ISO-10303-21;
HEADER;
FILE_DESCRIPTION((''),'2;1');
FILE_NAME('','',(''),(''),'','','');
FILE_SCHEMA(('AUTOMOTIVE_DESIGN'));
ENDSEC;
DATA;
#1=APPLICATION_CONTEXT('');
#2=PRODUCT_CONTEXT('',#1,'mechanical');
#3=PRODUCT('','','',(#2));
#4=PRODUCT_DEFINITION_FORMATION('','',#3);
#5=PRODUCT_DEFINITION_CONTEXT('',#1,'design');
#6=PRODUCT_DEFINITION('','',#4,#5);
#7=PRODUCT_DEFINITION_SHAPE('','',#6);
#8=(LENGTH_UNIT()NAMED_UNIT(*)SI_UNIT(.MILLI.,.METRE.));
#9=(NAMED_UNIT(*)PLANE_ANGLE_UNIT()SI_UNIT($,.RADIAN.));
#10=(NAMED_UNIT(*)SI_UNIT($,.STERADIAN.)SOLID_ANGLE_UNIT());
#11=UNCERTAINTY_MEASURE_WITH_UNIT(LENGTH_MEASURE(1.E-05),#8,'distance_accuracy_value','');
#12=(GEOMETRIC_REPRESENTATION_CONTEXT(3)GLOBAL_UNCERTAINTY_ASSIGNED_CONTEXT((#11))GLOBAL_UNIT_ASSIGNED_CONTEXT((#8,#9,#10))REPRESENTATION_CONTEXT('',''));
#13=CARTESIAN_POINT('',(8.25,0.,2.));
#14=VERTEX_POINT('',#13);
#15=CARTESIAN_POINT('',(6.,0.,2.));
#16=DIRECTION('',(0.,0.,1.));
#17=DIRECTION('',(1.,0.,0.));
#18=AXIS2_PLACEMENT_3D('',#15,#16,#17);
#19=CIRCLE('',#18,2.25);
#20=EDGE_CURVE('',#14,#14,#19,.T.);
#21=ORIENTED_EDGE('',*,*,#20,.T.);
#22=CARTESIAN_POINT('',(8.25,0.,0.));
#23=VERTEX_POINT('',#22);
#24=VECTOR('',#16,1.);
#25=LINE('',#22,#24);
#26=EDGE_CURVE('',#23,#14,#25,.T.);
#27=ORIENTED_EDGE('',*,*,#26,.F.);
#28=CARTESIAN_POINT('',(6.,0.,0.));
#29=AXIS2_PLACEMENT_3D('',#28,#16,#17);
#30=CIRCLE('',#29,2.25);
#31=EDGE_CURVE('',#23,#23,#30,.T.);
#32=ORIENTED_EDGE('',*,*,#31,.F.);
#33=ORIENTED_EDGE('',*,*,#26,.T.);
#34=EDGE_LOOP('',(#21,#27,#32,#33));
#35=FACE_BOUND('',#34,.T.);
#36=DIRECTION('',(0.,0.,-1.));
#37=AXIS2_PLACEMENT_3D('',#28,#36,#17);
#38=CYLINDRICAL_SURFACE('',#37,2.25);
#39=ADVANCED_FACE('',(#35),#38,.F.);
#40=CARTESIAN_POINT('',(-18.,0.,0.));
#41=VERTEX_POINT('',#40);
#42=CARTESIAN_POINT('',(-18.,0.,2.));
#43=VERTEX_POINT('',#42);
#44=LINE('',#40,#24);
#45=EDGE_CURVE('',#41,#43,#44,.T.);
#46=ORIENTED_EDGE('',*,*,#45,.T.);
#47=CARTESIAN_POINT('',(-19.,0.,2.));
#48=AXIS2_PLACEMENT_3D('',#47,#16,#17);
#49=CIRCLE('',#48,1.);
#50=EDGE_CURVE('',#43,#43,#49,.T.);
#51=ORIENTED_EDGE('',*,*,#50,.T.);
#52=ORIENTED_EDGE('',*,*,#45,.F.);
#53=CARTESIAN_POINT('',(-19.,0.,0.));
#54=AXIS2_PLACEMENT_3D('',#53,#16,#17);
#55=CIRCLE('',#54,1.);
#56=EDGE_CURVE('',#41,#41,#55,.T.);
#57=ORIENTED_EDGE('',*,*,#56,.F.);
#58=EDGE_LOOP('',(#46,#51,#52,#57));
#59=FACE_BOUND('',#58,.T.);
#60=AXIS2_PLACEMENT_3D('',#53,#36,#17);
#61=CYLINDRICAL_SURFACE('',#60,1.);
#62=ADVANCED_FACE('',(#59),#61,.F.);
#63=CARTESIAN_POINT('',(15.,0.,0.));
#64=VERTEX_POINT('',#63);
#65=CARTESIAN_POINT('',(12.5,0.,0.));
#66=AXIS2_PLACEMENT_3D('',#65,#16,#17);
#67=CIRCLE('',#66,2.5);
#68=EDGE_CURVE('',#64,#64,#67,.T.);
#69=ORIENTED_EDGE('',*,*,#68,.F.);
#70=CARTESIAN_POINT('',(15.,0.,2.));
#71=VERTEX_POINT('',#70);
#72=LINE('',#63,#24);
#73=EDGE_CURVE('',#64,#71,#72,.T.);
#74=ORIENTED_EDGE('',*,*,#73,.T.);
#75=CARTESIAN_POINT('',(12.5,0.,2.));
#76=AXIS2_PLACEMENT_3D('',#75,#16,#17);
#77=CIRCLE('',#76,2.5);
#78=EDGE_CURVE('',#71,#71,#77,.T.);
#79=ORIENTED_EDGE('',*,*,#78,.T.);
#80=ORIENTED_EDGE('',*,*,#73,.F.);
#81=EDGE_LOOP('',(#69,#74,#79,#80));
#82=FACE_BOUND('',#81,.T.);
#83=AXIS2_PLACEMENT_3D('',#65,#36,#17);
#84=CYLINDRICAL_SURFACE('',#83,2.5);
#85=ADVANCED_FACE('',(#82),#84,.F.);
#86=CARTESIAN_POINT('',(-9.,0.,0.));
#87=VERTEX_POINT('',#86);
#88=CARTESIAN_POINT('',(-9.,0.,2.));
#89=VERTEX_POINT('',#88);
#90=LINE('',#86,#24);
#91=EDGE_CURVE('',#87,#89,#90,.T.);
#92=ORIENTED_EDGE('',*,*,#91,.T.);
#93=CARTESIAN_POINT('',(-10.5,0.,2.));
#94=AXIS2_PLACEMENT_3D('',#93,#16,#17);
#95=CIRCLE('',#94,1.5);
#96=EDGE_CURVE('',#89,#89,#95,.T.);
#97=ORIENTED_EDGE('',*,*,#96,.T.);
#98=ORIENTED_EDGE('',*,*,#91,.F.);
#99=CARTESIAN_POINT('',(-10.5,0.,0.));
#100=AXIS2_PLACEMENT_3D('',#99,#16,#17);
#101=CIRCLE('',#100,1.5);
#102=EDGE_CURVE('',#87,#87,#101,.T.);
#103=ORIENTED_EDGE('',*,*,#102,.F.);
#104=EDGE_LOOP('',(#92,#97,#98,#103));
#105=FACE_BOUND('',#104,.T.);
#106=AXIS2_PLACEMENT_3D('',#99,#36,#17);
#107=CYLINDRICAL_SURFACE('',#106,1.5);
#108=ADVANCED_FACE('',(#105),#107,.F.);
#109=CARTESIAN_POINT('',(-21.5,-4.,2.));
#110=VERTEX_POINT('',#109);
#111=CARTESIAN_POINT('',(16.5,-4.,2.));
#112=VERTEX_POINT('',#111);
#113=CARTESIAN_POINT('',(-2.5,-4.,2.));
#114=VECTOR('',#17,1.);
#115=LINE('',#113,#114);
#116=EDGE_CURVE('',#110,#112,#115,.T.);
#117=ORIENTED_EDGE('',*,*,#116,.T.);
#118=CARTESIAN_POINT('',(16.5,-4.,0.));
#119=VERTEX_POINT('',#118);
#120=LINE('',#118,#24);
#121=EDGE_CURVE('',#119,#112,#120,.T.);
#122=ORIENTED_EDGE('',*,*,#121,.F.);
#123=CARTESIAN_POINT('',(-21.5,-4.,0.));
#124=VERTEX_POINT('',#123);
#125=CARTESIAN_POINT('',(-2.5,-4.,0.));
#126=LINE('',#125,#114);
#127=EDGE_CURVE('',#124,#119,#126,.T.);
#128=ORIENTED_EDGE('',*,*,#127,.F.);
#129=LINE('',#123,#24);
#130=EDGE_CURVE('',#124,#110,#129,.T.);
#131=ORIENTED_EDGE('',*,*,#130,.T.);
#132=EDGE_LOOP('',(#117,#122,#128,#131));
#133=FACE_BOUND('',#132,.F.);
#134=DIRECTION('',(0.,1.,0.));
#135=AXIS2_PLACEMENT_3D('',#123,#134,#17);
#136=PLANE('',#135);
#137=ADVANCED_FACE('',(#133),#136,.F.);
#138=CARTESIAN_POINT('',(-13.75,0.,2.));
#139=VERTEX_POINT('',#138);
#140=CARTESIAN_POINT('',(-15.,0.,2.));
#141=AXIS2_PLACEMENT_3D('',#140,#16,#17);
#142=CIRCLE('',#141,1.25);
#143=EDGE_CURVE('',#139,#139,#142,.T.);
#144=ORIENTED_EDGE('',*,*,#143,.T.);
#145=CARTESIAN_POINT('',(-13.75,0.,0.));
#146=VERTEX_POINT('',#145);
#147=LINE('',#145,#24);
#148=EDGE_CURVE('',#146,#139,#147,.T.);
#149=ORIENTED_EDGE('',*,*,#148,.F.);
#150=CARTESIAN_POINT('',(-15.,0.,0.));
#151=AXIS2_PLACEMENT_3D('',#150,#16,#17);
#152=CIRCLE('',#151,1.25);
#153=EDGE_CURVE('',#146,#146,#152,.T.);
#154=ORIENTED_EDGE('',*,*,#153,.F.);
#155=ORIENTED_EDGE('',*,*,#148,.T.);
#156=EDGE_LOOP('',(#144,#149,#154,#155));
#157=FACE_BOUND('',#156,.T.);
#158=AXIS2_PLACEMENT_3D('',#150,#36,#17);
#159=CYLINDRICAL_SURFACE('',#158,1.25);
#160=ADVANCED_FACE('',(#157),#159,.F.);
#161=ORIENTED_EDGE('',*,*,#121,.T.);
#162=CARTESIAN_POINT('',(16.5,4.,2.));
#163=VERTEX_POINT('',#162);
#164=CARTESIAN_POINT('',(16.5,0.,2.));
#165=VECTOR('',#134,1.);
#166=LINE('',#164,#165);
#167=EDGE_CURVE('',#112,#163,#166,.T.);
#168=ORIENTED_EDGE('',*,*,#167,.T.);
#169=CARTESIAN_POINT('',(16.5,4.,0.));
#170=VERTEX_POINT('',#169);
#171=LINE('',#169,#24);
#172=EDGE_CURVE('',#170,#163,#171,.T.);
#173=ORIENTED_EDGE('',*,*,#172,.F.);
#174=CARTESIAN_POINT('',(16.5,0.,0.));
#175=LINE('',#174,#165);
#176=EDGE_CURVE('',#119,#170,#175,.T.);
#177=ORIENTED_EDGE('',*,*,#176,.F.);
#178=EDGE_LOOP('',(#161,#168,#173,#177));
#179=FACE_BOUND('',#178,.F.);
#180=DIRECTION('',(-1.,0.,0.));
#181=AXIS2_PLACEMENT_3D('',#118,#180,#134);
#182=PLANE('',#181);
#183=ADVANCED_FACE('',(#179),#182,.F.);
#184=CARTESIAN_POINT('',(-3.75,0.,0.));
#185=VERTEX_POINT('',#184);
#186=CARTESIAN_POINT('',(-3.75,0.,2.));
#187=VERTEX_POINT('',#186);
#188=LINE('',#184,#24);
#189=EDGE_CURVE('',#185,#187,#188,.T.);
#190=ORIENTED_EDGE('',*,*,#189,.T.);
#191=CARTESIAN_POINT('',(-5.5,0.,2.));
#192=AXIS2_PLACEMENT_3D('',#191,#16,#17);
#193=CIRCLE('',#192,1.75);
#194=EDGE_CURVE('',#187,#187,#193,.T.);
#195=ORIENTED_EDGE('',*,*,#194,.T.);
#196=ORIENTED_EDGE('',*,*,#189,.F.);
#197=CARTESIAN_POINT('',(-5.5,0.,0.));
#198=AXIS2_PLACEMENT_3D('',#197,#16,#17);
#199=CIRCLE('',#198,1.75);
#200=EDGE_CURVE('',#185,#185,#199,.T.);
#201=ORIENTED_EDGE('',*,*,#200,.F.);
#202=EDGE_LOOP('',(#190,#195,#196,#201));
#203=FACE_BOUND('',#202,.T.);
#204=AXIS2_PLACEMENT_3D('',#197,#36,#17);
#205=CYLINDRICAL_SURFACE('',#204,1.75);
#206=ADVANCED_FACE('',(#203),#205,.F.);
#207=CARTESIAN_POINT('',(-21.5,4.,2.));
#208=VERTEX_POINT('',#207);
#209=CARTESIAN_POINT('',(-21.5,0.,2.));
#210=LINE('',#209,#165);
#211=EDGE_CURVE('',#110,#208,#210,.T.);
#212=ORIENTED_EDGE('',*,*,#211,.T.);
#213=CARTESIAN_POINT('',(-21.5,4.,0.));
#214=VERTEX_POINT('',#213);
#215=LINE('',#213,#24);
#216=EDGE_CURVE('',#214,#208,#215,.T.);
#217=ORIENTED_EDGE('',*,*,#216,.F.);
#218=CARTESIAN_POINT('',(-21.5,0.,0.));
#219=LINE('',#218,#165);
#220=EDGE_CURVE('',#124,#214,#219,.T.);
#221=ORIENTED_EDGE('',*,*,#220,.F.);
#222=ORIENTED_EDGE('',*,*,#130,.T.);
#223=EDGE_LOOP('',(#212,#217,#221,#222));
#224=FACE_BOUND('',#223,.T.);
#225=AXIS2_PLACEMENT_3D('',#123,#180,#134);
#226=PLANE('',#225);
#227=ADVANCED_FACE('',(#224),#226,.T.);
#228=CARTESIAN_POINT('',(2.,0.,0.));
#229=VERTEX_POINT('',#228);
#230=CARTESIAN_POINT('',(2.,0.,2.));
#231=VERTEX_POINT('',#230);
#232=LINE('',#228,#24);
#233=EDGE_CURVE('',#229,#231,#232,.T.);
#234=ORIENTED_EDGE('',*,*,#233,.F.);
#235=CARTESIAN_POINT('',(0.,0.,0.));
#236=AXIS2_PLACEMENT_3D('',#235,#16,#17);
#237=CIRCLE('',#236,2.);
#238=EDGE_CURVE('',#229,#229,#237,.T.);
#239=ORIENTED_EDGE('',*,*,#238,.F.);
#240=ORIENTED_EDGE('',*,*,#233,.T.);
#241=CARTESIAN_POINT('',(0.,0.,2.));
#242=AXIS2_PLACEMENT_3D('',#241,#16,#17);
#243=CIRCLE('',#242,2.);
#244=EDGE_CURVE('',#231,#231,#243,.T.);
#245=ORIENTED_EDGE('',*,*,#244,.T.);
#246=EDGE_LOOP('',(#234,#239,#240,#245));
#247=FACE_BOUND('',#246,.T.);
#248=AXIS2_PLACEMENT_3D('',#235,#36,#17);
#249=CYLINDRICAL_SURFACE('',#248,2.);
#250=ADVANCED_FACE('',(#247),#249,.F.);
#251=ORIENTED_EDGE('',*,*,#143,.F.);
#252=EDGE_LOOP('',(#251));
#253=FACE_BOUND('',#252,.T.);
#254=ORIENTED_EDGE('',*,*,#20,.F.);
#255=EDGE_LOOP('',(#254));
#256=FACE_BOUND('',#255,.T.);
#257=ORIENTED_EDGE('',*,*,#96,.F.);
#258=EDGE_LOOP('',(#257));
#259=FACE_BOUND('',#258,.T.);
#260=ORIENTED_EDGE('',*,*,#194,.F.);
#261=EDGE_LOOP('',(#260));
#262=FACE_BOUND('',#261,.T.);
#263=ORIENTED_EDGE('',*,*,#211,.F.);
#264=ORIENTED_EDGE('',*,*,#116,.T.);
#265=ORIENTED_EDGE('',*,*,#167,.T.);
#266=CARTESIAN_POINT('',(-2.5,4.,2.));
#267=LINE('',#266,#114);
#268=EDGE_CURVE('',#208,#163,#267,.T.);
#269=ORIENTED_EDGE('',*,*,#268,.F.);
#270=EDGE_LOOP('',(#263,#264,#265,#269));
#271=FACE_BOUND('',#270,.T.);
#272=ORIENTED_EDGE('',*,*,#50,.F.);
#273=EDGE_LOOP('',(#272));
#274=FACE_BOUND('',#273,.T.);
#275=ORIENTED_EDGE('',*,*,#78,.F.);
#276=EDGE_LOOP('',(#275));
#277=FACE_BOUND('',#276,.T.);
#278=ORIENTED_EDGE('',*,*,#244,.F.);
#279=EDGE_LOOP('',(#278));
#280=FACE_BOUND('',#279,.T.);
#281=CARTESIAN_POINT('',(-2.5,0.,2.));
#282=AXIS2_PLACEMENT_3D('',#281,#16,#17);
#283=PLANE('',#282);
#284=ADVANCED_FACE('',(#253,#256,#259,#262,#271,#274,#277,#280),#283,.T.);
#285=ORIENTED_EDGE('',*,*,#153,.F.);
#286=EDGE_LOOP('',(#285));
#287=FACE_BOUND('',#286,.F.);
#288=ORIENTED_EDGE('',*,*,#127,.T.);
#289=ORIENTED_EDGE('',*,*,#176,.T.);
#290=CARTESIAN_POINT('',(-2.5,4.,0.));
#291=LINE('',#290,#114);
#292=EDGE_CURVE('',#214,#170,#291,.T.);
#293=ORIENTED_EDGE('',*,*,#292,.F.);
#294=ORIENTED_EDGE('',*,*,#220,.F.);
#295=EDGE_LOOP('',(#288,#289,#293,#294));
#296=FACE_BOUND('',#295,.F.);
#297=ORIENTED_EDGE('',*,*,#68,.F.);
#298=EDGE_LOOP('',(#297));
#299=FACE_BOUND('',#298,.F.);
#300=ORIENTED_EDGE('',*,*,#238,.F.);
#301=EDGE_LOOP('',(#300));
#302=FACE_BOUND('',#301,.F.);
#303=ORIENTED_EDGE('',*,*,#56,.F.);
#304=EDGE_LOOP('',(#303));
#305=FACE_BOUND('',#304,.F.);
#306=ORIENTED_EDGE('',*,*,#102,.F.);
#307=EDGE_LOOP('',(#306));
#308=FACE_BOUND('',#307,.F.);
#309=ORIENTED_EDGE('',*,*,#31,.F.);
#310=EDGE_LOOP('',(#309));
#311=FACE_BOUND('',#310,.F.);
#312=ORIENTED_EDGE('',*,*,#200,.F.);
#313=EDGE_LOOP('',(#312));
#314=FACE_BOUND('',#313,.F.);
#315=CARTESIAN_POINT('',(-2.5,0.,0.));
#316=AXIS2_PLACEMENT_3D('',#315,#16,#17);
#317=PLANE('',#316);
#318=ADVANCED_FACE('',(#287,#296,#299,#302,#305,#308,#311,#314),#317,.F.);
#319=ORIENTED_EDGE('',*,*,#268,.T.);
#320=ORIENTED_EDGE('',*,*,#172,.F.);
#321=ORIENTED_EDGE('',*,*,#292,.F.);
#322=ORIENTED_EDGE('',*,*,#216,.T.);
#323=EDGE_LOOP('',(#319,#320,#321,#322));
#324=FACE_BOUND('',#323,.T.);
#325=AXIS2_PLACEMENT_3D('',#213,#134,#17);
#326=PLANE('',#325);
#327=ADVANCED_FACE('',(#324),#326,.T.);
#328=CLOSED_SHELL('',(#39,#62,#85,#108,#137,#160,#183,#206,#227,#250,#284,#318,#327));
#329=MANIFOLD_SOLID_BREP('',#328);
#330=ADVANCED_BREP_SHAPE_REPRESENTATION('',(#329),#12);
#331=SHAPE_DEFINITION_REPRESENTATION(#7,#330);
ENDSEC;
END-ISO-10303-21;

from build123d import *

# Parameters (mm, degrees)
F0_W     = 38
F0_H     = 8
F0_R     = 1
F0_R_2   = 1.25
F0_R_3   = 1.5
F0_R_4   = 1.75
F0_R_5   = 2
F0_R_6   = 2.25
F0_R_7   = 2.5
F1_DEPTH = 2


with BuildPart() as f1:
    # F0 (on Top) → F1 (new body)
    with BuildSketch(Plane.XY):
        with Locations((-2.5, 0)):
            Rectangle(F0_W, F0_H)
        with Locations((-19, 0)):
            Circle(F0_R, mode=Mode.SUBTRACT)
        with Locations((-15, 0)):
            Circle(F0_R_2, mode=Mode.SUBTRACT)
        with Locations((-10.5, 0)):
            Circle(F0_R_3, mode=Mode.SUBTRACT)
        with Locations((-5.5, 0)):
            Circle(F0_R_4, mode=Mode.SUBTRACT)
        Circle(F0_R_5, mode=Mode.SUBTRACT)
        with Locations((6, 0)):
            Circle(F0_R_6, mode=Mode.SUBTRACT)
        with Locations((12.5, 0)):
            Circle(F0_R_7, mode=Mode.SUBTRACT)
    extrude(amount=F1_DEPTH)


solid = f1.part
